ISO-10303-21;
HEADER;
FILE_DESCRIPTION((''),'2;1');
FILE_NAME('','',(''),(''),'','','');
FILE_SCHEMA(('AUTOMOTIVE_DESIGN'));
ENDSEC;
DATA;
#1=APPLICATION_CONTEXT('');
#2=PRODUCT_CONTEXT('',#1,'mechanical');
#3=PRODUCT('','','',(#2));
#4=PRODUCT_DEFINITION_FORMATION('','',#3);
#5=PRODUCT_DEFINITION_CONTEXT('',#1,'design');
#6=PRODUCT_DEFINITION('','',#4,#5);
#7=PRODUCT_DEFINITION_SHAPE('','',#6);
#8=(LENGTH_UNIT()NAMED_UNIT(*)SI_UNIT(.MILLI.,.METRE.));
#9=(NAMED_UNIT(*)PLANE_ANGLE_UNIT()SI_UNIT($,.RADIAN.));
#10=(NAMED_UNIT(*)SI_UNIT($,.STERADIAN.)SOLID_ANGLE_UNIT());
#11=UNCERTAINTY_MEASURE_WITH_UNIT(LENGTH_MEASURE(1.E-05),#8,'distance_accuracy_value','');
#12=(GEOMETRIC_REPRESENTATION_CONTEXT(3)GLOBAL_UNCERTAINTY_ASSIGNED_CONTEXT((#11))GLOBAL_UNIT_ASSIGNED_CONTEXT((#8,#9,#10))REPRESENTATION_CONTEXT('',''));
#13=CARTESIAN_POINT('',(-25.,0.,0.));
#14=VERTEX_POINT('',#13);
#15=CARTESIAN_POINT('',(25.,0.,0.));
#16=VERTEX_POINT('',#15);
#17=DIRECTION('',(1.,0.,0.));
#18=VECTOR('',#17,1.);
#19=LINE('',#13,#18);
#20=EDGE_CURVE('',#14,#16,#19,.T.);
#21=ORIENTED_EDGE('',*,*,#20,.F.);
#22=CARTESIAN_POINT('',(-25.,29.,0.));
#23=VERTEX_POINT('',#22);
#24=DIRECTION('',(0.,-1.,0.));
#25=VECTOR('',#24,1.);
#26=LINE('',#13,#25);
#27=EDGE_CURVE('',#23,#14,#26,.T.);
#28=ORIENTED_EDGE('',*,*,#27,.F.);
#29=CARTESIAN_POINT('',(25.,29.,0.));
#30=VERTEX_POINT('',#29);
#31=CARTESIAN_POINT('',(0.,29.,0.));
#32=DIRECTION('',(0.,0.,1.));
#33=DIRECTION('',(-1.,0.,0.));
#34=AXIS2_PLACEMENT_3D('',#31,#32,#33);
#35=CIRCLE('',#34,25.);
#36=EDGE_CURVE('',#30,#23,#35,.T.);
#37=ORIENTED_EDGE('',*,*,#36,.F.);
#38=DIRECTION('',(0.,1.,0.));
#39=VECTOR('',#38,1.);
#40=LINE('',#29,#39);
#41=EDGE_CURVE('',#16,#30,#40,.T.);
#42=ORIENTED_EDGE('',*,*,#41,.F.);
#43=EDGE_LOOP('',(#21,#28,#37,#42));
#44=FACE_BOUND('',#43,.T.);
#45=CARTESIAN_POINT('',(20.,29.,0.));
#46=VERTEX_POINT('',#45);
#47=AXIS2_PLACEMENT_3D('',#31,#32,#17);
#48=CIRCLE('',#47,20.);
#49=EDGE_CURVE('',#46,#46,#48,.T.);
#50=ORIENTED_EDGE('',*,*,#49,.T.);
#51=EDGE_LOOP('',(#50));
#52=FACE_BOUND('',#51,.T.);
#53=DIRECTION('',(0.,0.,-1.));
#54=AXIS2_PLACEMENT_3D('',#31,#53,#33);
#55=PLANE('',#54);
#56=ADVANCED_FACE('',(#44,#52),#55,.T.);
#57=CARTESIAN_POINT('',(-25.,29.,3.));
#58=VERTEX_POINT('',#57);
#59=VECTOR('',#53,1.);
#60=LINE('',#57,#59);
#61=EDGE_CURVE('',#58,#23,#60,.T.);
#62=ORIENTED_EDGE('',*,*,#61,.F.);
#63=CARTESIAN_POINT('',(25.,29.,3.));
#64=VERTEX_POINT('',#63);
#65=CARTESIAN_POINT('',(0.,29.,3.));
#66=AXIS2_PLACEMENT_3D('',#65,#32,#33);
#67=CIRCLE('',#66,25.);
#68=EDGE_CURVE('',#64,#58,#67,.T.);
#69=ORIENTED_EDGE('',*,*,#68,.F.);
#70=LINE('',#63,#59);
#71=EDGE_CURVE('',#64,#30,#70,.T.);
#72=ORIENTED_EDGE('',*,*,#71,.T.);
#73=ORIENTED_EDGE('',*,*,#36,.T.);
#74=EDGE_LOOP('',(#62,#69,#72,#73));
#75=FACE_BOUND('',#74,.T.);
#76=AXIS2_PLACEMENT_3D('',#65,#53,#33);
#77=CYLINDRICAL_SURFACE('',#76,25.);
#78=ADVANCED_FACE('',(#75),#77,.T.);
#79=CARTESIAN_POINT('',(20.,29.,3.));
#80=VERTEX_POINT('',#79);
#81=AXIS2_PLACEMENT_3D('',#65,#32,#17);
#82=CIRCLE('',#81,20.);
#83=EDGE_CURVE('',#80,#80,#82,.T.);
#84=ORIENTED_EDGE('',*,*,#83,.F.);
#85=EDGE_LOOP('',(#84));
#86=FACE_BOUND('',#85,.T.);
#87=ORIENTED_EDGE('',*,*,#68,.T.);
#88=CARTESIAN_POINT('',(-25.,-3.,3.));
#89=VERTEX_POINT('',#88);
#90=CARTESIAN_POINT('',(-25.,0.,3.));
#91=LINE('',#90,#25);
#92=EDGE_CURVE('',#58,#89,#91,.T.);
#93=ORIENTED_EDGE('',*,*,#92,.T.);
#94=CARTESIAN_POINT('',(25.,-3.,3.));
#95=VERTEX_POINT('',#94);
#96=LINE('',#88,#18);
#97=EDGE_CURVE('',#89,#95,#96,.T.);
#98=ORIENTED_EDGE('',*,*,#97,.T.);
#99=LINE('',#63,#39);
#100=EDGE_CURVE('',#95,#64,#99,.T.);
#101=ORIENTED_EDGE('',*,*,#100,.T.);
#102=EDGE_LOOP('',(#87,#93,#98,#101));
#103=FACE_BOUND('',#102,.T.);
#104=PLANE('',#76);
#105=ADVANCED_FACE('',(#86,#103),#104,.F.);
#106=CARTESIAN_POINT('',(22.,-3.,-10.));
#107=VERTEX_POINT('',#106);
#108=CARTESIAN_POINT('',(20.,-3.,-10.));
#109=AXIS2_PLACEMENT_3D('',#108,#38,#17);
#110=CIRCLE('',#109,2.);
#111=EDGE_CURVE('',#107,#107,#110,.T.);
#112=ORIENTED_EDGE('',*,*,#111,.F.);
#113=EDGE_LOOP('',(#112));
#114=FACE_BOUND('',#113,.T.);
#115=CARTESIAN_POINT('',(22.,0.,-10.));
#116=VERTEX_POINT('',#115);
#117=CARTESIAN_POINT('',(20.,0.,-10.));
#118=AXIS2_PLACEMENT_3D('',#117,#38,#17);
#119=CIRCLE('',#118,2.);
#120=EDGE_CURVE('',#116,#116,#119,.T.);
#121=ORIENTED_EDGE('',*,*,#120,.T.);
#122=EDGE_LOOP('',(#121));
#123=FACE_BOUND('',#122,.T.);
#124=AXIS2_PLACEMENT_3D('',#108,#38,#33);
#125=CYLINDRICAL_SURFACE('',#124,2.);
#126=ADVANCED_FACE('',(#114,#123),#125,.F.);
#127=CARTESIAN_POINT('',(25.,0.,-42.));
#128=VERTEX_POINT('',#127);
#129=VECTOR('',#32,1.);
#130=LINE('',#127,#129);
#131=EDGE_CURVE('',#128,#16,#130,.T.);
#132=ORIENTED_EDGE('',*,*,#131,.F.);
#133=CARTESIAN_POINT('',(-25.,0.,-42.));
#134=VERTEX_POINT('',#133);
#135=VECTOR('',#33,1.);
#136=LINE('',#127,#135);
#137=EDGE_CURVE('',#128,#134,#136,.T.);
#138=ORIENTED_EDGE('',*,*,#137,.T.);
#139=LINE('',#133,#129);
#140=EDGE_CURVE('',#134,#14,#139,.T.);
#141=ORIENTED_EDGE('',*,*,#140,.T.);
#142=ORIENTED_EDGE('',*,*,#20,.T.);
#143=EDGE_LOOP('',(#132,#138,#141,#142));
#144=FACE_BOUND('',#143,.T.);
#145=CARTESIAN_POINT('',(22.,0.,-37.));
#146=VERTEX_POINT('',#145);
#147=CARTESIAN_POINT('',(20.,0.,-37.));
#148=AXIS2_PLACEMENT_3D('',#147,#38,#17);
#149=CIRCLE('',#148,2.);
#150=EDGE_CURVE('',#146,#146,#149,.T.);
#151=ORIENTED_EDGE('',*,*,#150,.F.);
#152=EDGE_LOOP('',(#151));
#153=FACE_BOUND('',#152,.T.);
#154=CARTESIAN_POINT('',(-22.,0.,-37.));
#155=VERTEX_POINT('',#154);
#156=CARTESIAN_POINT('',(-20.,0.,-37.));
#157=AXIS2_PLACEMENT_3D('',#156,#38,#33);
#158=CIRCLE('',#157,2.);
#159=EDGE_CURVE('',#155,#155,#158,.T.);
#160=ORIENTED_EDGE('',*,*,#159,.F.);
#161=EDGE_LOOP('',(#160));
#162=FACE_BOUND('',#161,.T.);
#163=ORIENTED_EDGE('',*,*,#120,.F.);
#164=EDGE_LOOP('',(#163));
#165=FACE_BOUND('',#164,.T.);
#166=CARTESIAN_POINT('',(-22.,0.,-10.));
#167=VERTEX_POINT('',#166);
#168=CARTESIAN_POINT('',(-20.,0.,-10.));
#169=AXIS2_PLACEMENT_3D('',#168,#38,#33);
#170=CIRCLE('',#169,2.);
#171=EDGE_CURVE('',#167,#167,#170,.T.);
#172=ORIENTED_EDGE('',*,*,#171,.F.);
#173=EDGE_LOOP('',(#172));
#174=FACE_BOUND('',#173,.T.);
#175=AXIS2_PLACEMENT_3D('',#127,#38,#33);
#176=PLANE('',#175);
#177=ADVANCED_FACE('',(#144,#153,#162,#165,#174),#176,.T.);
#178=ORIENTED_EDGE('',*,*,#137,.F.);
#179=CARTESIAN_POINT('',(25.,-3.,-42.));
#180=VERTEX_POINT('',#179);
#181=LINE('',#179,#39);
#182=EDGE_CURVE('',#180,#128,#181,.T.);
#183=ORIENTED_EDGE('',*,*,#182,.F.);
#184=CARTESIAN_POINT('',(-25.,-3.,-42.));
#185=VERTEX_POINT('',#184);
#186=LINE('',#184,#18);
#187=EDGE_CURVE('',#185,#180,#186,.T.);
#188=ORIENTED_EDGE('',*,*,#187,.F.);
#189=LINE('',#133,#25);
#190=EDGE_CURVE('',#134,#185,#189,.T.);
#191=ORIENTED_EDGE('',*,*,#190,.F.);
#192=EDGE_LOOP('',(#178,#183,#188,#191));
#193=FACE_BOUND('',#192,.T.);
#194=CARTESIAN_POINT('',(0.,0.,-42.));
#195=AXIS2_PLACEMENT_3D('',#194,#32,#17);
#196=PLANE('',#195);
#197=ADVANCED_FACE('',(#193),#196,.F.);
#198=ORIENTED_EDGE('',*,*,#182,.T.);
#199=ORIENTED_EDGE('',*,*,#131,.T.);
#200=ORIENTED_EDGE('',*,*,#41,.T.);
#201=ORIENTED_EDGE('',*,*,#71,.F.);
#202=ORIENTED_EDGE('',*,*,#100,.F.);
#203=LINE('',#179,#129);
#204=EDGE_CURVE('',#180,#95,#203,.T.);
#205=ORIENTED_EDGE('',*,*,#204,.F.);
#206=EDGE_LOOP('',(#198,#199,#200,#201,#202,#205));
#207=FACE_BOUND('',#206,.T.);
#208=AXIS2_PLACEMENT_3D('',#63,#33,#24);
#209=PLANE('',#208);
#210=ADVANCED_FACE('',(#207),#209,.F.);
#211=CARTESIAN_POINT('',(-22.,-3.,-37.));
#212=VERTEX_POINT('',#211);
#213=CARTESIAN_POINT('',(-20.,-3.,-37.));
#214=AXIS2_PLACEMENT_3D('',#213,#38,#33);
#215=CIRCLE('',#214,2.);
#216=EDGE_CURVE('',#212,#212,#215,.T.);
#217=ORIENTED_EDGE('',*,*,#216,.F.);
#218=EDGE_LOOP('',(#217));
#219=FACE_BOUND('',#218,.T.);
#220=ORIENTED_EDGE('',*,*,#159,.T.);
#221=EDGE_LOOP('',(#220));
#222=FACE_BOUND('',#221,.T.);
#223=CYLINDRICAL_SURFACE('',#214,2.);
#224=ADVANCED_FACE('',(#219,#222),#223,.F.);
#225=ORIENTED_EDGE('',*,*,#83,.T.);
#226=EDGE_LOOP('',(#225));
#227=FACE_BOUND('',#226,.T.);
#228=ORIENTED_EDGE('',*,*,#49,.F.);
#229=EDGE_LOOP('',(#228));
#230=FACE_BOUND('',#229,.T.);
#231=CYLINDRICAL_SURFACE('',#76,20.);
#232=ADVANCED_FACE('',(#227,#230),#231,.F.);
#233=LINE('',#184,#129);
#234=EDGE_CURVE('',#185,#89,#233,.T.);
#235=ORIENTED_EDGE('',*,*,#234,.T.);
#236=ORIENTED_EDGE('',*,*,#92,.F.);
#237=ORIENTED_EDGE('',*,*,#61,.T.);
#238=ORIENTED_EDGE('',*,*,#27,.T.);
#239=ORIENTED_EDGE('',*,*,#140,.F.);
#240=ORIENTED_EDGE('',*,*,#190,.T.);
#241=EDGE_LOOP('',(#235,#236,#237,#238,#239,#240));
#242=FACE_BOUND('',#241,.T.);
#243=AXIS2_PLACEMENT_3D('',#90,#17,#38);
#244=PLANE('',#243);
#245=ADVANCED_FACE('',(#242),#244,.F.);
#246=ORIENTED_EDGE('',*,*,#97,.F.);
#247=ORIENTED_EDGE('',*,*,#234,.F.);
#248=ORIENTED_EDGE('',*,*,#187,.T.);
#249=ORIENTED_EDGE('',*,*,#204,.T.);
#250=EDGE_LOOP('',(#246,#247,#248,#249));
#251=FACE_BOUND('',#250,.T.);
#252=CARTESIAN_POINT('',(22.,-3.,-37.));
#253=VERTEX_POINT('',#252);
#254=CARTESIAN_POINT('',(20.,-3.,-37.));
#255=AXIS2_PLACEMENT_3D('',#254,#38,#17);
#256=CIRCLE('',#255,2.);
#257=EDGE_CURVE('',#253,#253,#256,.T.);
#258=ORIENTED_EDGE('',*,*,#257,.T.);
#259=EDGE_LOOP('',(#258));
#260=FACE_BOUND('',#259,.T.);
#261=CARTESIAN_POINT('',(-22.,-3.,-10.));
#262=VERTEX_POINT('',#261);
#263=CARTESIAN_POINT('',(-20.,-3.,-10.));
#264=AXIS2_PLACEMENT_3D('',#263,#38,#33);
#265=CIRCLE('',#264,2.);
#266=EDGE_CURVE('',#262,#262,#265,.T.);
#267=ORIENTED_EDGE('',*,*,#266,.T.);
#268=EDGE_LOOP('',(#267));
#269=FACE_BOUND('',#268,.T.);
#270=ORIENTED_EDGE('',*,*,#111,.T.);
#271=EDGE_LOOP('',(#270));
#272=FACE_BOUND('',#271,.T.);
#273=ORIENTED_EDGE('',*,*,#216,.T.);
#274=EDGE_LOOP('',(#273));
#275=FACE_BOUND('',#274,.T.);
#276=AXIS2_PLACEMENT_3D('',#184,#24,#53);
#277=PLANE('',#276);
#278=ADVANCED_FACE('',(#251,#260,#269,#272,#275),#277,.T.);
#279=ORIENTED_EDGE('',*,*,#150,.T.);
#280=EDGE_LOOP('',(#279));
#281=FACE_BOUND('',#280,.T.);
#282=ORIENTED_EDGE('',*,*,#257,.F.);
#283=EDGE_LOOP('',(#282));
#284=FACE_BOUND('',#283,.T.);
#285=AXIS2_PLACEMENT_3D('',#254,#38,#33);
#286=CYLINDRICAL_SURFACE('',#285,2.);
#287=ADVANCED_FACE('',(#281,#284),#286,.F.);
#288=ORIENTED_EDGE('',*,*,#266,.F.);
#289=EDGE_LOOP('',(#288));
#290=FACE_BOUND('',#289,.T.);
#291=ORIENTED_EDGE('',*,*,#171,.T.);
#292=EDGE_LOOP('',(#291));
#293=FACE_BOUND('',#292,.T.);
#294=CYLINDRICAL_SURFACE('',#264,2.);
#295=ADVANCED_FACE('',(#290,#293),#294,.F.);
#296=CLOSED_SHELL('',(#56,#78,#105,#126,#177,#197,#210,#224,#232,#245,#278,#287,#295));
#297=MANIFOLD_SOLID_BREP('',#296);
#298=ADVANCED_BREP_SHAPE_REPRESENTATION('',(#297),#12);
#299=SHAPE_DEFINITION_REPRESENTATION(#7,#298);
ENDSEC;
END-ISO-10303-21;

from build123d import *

# Parameters (mm, degrees)
SKETCH1_R           = 20
BOSS_EXTRUDE1_DEPTH = 3
SKETCH2_W           = 50
SKETCH2_H           = 3
BOSS_EXTRUDE2_DEPTH = 45
SKETCH3_R           = 2
CUT_EXTRUDE1_DEPTH  = 73.835430939


with BuildPart() as part:
    # Sketch1 → Boss-Extrude1 (new body)
    with BuildSketch(Plane.XY):
        with BuildLine():
            Line((-25, 0), (25, 0))
            Line((25, 0), (25, 29))
            ThreePointArc((25, 29), (0, 54), (-25, 29))
            Line((-25, 29), (-25, 0))
        make_face()
        with Locations((0, 29)):
            Circle(SKETCH1_R, mode=Mode.SUBTRACT)
    extrude(amount=BOSS_EXTRUDE1_DEPTH)

    # Sketch2 → Boss-Extrude2 (add)
    with BuildSketch(Plane.XY.offset(3)):
        with Locations((0, -1.5)):
            Rectangle(SKETCH2_W, SKETCH2_H)
    extrude(amount=-BOSS_EXTRUDE2_DEPTH)

    # Sketch3 → Cut-Extrude1 (cut, through all)
    with BuildSketch(Plane(origin=(0, 0, 0), x_dir=(1, 0, 0), z_dir=(0, 1, 0))):
        with Locations(Location((-20, 37, 0), (0, 0, 180))):
            Circle(SKETCH3_R)
        with Locations(Location((-20, 10, 0), (0, 0, 180))):
            Circle(SKETCH3_R)
        with Locations((20, 10)):
            Circle(SKETCH3_R)
        with Locations((20, 37)):
            Circle(SKETCH3_R)
    extrude(amount=-CUT_EXTRUDE1_DEPTH, mode=Mode.SUBTRACT)


solid = part.part
